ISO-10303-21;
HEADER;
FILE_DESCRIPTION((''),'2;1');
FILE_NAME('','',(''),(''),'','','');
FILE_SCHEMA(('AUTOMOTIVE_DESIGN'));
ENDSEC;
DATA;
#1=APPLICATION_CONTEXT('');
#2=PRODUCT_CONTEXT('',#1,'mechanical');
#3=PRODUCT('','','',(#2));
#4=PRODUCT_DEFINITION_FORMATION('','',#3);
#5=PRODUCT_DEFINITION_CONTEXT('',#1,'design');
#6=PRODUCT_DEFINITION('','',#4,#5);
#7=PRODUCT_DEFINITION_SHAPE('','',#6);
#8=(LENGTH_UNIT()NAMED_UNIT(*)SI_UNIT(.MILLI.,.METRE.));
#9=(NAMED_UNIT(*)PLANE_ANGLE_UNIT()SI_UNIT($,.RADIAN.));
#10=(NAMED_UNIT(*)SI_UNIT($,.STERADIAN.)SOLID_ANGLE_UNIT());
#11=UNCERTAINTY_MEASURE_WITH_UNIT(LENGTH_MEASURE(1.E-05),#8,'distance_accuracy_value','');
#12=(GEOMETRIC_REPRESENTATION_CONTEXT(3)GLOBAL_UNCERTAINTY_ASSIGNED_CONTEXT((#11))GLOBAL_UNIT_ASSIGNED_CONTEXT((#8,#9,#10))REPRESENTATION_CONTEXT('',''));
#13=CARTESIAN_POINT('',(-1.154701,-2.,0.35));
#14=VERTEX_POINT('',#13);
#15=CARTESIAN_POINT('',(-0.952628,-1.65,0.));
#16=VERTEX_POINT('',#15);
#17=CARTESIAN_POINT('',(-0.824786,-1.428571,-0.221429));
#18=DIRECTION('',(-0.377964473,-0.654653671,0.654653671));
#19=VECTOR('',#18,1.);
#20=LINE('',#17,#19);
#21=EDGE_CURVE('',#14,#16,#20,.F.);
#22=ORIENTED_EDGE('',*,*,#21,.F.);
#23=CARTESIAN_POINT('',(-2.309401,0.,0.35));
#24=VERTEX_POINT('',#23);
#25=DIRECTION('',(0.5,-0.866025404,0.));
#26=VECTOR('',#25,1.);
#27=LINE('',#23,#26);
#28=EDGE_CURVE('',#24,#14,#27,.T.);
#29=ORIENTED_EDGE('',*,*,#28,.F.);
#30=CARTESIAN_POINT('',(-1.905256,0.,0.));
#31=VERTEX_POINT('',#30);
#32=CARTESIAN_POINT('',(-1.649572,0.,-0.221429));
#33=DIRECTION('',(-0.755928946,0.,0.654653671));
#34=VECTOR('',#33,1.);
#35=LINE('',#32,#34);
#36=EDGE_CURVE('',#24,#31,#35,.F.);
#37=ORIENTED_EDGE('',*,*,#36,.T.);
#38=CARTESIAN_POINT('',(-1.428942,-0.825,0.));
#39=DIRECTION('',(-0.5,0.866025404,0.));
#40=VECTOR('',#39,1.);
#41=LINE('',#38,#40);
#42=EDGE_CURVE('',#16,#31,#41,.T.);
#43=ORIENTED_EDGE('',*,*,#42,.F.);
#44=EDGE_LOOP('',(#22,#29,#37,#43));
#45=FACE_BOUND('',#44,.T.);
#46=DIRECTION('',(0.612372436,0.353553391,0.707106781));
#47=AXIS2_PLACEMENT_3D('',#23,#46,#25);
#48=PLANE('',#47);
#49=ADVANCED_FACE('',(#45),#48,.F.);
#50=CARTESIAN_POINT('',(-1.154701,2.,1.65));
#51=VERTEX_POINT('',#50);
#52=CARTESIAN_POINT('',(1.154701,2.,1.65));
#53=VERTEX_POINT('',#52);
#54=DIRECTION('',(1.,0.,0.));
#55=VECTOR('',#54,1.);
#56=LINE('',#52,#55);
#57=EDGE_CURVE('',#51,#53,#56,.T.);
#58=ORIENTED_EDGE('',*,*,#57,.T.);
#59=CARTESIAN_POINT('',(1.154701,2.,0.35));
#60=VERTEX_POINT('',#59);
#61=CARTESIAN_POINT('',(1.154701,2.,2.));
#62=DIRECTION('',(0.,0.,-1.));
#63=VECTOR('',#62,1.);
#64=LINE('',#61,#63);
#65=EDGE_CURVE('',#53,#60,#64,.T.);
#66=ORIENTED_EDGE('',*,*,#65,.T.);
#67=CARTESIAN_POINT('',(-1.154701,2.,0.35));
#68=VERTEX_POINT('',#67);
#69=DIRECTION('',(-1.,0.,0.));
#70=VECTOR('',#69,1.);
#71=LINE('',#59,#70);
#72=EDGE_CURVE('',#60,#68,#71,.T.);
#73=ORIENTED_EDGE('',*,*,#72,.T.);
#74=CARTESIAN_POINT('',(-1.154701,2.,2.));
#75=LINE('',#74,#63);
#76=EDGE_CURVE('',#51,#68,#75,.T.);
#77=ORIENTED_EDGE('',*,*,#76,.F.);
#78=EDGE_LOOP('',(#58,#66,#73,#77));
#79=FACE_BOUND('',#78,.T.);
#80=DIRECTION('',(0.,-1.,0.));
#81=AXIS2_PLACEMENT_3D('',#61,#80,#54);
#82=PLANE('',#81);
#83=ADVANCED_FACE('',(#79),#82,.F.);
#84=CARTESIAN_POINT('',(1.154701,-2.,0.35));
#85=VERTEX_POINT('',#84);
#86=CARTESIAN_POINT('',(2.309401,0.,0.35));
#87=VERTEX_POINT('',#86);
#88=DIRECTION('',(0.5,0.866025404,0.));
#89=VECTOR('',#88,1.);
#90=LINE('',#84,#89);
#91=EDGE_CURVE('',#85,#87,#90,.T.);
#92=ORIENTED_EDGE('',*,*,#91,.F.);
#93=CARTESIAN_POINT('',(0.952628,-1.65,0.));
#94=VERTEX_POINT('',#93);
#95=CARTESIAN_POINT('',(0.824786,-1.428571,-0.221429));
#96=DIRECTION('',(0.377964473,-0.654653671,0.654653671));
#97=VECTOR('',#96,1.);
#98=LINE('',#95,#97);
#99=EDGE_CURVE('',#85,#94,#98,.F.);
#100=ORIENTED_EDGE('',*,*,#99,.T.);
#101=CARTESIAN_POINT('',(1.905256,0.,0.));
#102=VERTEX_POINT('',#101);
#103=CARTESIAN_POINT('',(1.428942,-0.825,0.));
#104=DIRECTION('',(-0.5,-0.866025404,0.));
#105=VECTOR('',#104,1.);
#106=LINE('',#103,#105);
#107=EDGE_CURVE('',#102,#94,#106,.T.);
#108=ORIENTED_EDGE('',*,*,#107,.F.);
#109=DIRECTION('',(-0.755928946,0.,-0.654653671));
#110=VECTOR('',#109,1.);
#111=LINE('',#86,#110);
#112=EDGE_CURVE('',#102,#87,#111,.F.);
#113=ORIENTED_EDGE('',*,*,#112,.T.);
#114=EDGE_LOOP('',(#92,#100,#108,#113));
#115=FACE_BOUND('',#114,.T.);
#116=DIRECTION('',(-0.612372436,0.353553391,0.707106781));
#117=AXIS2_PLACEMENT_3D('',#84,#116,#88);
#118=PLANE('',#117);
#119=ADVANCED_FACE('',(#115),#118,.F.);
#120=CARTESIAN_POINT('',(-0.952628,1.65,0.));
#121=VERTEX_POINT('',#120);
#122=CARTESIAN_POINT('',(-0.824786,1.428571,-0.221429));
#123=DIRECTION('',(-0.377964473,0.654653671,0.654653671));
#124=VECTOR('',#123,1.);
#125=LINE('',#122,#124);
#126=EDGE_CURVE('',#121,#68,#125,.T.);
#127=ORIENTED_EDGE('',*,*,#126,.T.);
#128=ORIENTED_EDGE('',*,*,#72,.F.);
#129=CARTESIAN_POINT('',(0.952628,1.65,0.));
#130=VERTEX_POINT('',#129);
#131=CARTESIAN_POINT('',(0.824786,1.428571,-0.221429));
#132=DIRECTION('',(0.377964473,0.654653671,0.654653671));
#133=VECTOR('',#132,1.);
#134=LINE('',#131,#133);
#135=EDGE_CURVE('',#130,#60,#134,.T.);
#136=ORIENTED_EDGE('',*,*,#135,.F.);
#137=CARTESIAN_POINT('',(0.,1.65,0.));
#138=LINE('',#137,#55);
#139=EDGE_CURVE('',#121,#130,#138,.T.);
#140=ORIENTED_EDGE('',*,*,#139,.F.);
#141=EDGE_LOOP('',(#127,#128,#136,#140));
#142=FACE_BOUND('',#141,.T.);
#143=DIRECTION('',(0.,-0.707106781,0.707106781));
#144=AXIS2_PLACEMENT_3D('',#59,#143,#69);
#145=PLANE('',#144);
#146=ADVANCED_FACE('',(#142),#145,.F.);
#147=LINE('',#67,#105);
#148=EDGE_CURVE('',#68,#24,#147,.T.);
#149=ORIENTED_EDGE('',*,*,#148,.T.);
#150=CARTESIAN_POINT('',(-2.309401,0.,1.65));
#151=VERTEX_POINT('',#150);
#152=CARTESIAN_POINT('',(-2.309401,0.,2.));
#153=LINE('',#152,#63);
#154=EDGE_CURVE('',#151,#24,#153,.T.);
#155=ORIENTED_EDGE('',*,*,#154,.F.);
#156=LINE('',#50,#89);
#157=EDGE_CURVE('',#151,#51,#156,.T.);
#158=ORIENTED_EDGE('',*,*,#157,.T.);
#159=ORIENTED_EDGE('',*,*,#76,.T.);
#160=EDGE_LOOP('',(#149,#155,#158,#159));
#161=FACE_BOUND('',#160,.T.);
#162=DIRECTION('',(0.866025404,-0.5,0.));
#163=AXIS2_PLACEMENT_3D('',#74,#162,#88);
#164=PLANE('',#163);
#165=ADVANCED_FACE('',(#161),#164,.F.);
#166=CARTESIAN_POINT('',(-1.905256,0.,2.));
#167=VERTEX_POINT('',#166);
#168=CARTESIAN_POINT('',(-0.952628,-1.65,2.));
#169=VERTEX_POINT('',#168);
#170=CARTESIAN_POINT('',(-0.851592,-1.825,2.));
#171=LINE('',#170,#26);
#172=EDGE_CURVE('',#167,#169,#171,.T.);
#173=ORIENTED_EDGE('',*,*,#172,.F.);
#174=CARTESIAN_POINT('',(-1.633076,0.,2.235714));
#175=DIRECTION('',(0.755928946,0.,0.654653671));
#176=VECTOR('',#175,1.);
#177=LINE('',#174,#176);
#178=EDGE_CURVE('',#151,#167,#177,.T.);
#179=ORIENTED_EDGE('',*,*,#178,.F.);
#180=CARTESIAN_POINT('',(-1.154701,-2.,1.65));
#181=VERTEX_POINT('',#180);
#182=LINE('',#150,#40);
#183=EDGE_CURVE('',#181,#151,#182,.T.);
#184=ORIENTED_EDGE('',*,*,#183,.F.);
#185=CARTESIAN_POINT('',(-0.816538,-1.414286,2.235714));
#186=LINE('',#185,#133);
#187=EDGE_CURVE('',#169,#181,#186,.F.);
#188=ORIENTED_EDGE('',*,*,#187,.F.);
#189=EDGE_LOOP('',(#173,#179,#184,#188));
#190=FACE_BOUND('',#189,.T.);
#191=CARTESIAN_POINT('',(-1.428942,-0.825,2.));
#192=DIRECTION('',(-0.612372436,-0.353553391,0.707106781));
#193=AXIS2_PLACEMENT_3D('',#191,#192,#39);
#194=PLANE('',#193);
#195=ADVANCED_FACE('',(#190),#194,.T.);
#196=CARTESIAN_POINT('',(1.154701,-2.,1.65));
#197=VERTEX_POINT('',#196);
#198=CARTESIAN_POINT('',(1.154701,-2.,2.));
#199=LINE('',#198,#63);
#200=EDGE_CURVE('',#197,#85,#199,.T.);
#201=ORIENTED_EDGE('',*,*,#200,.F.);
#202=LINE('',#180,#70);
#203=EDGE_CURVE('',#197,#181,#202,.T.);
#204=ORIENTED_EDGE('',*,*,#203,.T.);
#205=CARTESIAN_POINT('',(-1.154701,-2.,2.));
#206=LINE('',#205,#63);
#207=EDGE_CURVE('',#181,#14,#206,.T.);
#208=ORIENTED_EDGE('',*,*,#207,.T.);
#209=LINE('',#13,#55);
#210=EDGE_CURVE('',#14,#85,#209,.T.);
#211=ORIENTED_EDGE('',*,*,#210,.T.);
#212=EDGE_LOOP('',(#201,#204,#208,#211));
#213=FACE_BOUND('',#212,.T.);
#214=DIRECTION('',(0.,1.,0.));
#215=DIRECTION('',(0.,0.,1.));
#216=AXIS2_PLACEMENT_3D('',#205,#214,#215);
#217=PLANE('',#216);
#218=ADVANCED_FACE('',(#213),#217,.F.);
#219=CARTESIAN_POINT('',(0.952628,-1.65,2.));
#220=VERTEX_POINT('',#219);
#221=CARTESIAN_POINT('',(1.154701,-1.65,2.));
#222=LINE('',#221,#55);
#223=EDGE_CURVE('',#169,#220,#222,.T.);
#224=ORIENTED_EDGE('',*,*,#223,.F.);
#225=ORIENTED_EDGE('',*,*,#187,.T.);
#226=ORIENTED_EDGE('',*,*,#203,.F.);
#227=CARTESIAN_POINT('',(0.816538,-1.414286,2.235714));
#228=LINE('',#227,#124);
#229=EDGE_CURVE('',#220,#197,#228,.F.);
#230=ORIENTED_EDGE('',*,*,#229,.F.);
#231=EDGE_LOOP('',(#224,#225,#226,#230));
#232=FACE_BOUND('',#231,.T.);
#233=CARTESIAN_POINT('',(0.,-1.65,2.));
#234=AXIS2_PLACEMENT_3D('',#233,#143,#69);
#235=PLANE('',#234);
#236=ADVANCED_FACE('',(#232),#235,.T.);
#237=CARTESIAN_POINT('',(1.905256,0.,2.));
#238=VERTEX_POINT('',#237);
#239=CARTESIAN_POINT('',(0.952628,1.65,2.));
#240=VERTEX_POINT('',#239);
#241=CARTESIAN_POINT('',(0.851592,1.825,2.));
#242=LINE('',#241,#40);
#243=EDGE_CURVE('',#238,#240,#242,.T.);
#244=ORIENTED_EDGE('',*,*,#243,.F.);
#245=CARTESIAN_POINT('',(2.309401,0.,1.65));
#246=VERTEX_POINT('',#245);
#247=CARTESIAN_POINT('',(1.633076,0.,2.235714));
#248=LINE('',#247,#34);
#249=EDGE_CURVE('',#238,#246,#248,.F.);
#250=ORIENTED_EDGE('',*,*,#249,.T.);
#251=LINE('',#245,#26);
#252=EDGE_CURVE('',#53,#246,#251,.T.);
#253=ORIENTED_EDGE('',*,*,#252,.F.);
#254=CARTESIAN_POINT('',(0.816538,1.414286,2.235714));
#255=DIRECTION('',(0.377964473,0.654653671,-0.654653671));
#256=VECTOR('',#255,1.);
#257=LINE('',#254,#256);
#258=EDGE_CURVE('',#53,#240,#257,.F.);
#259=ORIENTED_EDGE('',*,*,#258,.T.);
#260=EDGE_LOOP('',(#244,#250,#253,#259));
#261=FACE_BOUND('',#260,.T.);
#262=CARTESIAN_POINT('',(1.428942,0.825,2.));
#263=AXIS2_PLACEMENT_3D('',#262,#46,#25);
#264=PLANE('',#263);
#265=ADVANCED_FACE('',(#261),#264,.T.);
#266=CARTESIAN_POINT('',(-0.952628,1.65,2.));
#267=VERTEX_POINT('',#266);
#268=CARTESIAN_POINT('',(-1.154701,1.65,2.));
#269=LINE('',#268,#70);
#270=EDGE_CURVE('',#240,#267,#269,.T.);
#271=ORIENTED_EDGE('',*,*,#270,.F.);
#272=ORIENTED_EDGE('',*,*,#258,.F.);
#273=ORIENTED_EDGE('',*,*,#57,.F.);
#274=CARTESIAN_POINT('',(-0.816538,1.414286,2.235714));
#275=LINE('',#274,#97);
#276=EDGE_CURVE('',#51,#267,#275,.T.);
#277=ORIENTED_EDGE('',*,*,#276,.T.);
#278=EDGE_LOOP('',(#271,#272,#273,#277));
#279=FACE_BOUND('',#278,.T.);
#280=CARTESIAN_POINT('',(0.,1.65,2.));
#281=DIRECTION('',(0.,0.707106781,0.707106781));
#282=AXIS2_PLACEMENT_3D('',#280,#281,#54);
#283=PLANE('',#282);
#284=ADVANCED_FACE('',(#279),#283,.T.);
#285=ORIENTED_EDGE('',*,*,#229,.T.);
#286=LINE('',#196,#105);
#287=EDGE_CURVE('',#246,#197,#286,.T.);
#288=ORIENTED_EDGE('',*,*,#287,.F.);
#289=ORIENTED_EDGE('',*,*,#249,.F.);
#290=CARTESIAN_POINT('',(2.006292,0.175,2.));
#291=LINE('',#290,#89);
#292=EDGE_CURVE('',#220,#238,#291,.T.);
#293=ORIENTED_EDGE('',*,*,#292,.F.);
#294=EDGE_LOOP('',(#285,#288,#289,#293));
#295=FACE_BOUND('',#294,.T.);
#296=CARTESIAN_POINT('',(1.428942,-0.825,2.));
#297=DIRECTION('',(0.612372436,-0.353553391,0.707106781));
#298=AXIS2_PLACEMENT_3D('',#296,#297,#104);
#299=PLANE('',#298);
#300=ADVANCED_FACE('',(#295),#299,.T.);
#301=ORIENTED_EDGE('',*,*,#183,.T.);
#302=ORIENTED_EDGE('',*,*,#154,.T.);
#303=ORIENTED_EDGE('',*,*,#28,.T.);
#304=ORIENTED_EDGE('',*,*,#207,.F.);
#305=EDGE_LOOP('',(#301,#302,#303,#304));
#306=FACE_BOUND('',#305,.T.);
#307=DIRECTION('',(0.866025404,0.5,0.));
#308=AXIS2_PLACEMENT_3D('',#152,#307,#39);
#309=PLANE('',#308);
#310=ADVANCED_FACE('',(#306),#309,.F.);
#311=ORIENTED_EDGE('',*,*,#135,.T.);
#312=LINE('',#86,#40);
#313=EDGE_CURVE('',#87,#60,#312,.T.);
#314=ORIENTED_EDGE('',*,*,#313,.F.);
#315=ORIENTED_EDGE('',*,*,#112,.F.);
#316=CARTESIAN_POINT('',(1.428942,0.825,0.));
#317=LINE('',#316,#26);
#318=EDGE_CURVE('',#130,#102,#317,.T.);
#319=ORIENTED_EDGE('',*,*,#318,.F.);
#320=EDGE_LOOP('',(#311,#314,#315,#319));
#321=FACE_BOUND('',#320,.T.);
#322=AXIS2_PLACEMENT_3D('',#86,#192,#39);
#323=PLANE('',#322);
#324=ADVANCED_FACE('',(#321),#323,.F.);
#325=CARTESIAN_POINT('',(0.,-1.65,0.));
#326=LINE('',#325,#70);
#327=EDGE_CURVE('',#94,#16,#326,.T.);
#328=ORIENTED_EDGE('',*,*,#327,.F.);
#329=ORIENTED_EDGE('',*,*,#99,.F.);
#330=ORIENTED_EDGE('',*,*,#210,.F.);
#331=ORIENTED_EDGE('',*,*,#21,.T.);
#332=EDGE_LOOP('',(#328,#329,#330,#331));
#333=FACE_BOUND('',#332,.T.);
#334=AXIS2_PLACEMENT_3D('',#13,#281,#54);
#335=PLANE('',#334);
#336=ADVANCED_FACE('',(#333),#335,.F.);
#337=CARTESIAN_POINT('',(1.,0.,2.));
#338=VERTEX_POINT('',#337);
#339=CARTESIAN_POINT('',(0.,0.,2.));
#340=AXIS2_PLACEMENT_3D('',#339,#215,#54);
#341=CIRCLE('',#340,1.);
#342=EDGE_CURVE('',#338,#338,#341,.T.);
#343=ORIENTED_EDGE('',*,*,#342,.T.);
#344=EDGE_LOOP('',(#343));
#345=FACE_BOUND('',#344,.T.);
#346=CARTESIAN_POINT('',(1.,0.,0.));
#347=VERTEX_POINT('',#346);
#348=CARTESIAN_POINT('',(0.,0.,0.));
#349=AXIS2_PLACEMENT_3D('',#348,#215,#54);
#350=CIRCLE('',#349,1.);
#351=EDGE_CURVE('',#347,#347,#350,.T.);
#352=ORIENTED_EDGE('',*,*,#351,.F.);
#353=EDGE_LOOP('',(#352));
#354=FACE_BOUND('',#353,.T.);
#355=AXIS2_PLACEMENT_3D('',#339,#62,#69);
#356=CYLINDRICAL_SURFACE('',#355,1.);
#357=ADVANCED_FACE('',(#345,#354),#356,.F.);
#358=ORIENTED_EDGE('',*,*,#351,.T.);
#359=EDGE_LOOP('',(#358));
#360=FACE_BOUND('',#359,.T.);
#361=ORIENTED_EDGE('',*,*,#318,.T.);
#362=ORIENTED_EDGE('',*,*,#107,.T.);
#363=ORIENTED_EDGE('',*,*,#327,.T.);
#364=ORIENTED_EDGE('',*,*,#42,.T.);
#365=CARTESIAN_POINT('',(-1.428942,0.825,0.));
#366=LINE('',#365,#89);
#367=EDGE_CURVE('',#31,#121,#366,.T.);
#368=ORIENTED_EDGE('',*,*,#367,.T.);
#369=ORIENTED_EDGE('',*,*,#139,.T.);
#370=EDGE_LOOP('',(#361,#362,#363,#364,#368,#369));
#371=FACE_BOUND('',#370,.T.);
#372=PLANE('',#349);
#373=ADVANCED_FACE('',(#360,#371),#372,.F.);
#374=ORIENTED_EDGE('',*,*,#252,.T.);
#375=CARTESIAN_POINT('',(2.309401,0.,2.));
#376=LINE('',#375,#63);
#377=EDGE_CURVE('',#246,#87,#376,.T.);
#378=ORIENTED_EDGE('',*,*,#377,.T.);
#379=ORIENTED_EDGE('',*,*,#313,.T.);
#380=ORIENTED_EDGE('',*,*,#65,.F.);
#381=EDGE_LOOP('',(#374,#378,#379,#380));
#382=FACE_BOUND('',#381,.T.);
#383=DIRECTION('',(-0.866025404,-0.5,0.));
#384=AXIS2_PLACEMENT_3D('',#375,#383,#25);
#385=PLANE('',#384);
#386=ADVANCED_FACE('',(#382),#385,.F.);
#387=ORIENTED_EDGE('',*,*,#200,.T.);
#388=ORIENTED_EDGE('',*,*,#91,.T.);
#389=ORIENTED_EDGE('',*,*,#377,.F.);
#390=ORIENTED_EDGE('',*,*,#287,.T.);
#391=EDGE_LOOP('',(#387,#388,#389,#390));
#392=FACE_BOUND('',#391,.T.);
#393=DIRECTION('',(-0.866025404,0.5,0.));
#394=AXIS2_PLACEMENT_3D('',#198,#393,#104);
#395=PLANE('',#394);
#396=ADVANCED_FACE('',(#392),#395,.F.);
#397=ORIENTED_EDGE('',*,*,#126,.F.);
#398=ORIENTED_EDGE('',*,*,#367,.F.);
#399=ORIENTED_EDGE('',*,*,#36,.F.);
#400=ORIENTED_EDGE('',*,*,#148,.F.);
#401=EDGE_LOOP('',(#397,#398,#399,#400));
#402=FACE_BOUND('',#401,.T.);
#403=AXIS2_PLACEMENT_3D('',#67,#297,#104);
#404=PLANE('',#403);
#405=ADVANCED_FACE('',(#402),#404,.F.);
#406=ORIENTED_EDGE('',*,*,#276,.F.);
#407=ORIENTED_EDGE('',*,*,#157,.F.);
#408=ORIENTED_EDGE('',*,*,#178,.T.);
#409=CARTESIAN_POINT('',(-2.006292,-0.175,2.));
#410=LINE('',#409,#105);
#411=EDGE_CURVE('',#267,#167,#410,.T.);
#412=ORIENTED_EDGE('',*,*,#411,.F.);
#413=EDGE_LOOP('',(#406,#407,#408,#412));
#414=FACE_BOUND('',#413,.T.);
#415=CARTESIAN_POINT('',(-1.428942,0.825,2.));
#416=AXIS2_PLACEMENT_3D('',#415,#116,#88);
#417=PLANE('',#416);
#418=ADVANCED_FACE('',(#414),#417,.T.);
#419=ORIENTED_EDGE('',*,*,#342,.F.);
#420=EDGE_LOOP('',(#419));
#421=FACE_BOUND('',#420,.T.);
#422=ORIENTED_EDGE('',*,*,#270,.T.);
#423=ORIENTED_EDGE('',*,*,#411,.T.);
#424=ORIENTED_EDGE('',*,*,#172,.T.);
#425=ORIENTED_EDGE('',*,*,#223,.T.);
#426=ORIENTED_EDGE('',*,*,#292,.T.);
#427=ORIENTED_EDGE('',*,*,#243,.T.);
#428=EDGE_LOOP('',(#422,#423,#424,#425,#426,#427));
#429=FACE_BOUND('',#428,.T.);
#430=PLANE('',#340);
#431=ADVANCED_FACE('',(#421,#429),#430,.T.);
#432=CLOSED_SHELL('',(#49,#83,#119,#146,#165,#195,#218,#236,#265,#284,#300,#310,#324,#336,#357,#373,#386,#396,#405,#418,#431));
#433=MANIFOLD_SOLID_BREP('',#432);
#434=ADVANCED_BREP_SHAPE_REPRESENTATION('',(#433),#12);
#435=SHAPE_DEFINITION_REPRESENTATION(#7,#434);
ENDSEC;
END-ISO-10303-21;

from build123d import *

# Parameters (mm, degrees)
SKETCH1_R      = 1
SHAPE_DEPTH    = 2
CHAMFER_2_SIZE = 0.35


with BuildPart() as part:
    # Sketch1 → Shape (new body)
    with BuildSketch(Plane.XY):
        Polygon((-1.154700538, -2), (1.154700538, -2), (2.309401077, 0), (1.154700538, 2), (-1.154700538, 2), (-2.309401077, 0), align=None)
        Circle(SKETCH1_R, mode=Mode.SUBTRACT)
    extrude(amount=SHAPE_DEPTH)

    # Chamfer 2
    chamfer_2_edges = [part.edges().sort_by_distance(p)[0] for p in [
        (1.732050808, -1, 2),
        (1.732050808, 1, 2),
        (0, 2, 2),
        (-1.732050808, 1, 2),
        (-1.732050808, -1, 2),
        (-1.732050808, 1, 0),
        (0, 2, 0),
        (1.732050808, 1, 0),
        (0, -2, 2),
        (1.732050808, -1, 0),
        (0, -2, 0),
        (-1.732050808, -1, 0),
    ]]
    chamfer(chamfer_2_edges, length=CHAMFER_2_SIZE)


solid = part.part
